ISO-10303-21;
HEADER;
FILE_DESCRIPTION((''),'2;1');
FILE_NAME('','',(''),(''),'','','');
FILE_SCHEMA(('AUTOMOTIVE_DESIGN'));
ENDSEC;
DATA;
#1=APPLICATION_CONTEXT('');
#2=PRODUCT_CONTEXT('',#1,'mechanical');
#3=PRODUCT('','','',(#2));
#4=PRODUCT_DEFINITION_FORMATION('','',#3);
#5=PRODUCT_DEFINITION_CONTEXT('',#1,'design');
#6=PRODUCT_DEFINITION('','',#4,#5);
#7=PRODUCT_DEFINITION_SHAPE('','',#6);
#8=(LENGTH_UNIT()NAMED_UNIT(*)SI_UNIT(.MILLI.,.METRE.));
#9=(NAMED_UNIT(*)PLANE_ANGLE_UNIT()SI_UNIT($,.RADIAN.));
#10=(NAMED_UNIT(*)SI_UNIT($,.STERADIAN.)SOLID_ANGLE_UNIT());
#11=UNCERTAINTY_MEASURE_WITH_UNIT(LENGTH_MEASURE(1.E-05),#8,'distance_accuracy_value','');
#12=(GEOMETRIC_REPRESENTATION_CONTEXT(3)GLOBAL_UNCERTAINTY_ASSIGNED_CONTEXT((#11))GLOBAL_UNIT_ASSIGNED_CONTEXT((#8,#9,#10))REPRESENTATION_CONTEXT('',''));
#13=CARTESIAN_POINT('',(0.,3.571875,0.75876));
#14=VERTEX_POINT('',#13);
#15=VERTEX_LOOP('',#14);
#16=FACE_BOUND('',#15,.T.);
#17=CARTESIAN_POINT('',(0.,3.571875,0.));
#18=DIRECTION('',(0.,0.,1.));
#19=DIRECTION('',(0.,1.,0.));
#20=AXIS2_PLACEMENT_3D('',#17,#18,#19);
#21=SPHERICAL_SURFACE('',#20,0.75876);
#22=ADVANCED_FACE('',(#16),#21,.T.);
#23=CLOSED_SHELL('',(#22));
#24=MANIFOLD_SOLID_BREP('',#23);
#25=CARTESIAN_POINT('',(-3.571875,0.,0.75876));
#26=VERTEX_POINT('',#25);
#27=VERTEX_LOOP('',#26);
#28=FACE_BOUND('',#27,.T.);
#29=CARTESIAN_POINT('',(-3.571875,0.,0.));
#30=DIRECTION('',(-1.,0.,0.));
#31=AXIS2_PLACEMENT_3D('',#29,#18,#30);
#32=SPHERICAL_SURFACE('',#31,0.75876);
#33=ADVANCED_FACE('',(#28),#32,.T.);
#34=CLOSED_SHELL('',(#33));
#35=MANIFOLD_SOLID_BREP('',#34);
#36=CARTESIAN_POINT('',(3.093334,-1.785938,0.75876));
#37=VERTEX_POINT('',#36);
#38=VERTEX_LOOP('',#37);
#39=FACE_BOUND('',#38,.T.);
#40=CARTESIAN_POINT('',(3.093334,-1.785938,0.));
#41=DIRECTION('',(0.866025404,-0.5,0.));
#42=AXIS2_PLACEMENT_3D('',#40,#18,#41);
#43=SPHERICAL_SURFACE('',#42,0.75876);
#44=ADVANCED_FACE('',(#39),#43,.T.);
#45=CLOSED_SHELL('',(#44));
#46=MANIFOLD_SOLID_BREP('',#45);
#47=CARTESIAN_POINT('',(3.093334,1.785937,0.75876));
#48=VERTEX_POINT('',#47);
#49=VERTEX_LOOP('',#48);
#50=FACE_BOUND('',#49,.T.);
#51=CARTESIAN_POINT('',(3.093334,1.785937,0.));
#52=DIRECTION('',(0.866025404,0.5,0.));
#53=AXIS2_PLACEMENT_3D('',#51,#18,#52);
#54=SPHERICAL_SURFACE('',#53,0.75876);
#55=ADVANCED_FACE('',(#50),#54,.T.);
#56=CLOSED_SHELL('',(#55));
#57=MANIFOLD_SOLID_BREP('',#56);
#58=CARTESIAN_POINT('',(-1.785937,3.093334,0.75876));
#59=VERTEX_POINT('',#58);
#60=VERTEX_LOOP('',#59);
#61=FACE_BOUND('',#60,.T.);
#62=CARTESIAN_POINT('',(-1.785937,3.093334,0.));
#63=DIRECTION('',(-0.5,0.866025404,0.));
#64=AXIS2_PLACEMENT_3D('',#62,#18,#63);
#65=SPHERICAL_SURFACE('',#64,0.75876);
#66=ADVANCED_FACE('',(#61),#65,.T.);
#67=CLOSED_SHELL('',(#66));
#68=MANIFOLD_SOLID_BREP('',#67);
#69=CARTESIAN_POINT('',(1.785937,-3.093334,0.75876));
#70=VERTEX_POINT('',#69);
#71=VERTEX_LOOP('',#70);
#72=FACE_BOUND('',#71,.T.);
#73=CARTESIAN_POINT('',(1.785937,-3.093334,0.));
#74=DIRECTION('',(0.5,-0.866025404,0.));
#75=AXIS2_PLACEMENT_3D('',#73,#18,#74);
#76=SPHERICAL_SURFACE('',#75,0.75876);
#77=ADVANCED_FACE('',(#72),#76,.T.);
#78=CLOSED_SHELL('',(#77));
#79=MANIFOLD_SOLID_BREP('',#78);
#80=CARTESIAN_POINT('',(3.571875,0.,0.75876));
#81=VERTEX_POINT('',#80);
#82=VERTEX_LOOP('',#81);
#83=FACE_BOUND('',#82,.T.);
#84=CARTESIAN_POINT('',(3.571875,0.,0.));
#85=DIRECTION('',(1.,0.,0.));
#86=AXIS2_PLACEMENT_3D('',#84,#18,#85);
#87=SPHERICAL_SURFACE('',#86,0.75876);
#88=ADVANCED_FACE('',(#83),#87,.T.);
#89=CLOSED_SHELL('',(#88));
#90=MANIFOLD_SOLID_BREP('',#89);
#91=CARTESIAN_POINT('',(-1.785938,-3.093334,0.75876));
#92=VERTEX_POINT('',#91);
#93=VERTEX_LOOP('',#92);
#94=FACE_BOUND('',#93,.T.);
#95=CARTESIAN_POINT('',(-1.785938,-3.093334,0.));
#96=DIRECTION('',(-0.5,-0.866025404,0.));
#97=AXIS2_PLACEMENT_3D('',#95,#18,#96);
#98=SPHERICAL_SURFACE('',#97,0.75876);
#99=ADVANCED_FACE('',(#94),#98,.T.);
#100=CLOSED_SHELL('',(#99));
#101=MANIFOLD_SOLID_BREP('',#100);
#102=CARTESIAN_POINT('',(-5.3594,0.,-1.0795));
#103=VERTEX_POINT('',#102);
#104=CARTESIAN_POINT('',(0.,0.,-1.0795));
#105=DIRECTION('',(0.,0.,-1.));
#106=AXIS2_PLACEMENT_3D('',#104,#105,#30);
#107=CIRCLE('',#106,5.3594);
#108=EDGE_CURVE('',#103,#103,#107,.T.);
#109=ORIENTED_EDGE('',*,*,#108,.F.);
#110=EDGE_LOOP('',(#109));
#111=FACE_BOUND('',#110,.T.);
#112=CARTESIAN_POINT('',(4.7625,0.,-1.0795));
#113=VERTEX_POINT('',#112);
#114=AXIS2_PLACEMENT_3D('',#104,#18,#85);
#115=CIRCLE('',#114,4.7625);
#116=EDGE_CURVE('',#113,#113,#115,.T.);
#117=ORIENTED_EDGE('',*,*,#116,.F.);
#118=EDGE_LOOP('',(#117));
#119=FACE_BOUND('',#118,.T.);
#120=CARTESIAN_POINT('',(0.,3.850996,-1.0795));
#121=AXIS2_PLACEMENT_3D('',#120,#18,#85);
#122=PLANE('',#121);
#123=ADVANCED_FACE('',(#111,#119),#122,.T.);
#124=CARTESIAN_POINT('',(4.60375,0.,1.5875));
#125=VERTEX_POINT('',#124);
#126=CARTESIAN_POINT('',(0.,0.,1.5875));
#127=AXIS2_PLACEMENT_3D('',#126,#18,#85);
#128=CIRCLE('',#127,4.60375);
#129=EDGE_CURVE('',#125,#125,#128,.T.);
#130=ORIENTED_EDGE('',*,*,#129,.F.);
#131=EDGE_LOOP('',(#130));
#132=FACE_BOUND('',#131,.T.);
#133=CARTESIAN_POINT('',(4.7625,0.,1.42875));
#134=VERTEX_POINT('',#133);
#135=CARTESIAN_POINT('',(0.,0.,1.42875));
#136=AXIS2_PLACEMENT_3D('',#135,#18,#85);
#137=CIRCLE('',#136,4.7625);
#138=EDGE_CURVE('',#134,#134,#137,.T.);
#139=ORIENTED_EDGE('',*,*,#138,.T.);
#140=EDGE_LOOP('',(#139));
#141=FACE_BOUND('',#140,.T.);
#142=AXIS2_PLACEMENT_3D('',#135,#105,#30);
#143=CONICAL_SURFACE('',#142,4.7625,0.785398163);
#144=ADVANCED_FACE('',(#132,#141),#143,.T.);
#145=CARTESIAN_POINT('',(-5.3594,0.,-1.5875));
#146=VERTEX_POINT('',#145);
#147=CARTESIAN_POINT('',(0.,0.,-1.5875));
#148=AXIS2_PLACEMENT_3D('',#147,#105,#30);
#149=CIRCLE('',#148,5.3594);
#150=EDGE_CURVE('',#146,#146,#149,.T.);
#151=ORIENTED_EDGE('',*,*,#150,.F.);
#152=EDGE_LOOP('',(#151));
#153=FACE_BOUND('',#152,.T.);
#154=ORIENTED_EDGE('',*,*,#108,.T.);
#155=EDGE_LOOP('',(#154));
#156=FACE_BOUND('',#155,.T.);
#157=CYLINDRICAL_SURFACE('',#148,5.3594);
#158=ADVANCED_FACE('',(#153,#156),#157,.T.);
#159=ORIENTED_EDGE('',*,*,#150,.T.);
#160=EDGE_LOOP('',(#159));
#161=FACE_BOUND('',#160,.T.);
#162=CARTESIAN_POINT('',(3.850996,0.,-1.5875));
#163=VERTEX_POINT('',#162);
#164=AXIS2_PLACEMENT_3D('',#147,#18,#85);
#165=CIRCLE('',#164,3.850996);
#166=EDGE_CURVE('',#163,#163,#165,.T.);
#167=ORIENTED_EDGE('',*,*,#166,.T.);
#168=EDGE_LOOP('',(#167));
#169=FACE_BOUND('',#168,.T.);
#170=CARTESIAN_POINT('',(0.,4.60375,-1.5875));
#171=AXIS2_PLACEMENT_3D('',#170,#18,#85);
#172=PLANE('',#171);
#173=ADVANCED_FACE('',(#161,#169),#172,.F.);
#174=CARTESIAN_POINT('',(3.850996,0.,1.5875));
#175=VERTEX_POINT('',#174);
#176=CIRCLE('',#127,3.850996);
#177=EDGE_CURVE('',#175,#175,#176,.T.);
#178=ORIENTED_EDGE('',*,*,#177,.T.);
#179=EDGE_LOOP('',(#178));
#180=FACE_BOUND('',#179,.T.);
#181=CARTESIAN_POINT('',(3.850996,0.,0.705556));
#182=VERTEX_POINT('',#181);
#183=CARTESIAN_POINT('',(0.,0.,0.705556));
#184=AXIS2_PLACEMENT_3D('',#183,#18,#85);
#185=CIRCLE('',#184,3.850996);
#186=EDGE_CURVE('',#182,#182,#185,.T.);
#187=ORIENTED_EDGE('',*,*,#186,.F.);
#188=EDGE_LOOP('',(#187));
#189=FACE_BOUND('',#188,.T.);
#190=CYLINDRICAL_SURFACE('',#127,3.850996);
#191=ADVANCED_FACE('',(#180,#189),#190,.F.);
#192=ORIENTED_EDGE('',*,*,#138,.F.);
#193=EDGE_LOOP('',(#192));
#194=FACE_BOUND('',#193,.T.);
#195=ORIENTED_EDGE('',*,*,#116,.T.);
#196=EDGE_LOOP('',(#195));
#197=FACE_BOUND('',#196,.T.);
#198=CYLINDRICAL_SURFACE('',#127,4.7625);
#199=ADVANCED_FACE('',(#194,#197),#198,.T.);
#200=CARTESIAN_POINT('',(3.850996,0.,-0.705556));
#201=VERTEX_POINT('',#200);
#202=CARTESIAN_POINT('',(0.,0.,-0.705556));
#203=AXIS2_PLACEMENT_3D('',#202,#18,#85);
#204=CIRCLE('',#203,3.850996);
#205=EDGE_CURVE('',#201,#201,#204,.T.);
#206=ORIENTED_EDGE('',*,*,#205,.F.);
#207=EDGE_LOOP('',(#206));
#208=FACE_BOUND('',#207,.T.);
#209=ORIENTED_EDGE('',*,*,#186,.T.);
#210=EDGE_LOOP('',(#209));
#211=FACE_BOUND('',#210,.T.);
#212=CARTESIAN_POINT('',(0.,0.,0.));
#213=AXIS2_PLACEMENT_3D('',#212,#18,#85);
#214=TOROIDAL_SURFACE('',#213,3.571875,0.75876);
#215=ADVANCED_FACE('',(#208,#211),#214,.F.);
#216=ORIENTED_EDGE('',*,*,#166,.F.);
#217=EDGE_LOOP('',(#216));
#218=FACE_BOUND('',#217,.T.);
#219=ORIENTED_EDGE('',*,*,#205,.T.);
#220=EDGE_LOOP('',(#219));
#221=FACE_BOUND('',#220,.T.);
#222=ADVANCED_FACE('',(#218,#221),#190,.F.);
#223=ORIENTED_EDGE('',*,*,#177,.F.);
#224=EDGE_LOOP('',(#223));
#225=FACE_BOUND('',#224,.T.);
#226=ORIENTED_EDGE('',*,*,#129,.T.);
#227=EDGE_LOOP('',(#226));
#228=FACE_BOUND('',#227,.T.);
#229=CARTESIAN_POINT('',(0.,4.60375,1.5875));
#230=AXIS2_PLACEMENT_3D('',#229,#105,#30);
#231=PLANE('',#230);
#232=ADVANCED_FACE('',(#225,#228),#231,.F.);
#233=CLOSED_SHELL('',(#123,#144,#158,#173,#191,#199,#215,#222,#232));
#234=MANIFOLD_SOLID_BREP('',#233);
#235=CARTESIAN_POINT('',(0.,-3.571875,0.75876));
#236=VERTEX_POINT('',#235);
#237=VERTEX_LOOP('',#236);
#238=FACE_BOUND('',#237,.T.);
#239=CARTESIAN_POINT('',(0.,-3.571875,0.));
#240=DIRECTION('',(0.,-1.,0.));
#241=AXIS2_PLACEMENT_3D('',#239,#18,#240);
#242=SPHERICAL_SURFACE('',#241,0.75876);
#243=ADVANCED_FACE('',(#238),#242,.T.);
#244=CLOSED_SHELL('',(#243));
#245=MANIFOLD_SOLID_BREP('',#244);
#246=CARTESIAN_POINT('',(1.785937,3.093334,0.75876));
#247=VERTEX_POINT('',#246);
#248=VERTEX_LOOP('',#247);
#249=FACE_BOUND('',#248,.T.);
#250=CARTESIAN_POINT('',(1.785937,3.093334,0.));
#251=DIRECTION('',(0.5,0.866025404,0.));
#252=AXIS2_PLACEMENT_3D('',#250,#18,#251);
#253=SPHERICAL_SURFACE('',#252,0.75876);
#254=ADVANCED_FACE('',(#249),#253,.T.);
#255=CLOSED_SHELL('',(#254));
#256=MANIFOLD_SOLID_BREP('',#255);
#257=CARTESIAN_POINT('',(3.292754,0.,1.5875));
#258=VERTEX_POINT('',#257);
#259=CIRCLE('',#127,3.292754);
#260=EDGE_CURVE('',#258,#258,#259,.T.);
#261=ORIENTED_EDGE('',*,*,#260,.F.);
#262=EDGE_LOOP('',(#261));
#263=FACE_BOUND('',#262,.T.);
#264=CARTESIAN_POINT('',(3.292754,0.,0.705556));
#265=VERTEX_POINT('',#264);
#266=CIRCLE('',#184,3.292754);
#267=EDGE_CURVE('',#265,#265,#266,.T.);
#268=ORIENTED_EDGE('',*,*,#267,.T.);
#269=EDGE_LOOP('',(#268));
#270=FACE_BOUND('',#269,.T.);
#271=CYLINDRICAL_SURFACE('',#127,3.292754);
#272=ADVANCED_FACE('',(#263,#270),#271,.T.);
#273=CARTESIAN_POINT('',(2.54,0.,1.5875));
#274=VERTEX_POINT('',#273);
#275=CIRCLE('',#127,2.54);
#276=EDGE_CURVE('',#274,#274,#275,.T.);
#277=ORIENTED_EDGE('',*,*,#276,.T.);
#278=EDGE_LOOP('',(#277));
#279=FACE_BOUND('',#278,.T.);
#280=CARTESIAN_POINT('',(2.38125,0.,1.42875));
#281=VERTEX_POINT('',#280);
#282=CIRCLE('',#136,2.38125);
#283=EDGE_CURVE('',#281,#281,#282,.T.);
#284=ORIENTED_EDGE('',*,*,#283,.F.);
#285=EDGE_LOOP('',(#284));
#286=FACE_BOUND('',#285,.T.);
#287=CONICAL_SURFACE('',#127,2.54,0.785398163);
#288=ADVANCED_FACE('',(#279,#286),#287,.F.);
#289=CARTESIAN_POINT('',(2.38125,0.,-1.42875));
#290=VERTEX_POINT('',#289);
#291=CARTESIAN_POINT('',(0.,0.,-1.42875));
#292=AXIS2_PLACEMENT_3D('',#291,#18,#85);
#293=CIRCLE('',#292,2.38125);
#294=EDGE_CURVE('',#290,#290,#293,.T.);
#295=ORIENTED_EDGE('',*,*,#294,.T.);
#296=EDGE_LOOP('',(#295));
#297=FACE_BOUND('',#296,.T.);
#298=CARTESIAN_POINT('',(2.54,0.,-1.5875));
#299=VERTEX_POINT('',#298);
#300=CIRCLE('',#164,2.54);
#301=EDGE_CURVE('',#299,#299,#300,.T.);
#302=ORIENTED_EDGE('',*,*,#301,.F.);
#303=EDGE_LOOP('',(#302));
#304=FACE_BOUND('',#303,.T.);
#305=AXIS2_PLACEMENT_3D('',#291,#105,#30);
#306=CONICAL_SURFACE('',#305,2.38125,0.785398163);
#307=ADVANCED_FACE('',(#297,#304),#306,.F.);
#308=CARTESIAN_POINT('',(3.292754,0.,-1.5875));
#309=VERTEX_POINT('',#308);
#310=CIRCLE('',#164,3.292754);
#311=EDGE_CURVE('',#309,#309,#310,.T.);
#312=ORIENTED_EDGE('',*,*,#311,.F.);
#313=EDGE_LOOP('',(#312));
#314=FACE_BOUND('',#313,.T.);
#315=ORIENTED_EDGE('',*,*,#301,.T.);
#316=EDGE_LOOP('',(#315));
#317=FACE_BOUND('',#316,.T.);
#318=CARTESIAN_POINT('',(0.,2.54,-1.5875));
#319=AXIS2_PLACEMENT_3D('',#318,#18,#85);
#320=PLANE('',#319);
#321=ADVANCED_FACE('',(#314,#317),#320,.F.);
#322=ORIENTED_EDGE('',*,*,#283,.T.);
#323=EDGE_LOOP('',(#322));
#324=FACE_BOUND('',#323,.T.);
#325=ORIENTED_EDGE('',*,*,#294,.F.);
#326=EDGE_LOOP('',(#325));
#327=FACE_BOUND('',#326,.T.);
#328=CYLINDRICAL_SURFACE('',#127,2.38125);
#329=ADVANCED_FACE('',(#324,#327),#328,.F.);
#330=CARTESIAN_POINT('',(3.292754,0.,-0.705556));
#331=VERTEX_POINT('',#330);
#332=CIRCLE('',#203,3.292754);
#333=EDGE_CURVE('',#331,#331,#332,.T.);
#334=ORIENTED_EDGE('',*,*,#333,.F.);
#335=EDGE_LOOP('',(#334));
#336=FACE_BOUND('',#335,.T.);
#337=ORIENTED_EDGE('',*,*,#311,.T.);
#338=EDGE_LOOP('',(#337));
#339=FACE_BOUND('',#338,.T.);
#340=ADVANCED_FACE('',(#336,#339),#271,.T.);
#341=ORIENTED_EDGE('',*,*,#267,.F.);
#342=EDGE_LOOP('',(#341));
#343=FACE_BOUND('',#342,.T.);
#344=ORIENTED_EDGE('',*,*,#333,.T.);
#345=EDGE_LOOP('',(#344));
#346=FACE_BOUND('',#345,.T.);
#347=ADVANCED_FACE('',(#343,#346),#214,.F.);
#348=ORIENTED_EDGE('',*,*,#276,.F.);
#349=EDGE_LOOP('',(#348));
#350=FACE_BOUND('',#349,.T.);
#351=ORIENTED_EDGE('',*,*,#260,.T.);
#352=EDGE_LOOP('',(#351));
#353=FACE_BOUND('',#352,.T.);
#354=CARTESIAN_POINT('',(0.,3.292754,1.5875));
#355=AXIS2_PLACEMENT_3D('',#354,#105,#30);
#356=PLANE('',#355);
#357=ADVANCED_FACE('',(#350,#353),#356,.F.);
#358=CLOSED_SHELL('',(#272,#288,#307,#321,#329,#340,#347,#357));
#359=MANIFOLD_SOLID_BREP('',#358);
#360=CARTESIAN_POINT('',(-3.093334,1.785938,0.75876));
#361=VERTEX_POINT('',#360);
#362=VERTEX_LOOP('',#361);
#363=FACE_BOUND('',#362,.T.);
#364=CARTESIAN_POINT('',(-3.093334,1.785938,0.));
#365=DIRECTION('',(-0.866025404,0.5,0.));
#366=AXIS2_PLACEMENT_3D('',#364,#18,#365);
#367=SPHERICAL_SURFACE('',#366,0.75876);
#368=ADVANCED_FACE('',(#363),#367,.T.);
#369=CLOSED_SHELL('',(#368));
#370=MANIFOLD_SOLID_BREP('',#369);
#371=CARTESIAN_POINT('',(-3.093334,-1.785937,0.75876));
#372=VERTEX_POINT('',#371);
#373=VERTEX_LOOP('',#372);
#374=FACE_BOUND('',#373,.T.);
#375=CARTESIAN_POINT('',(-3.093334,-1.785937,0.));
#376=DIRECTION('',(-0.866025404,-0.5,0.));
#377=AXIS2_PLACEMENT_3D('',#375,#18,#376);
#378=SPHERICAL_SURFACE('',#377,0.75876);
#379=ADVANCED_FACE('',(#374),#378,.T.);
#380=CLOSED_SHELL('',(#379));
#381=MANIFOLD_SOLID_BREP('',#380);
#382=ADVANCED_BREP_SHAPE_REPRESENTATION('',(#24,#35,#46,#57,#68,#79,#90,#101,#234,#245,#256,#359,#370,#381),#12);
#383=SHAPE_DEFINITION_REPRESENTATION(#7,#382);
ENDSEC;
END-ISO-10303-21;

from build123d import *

# Parameters (mm, degrees)
CIRPATTERN1_COUNT = 12
SKETCH6_W         = 0.508
SKETCH6_H         = 1.508404121


with BuildPart() as part:
    # Sketch1 → Revolve1 (revolve)
    with BuildSketch(Plane(origin=(0, 0, 0), x_dir=(0, 0, -1), z_dir=(1, 0, 0))):
        with BuildLine():
            Line((1.42875, 4.7625), (-1.42875, 4.7625))
            Line((-1.42875, 4.7625), (-1.5875, 4.60375))
            Line((-1.5875, 4.60375), (-1.5875, 3.850995879))
            Line((-1.5875, 3.850995879), (-0.705555556, 3.850995879))
            ThreePointArc((-0.705555556, 3.850995879), (0, 4.330635244), (0.705555556, 3.850995879))
            Line((0.705555556, 3.850995879), (1.5875, 3.850995879))
            Line((1.5875, 3.850995879), (1.5875, 4.60375))
            Line((1.5875, 4.60375), (1.42875, 4.7625))
        make_face()
    revolve(axis=Axis((0, 0, 1.5875), (0, 0, -1)))

    # Sketch6 → Revolve6 (revolve)
    with BuildSketch(Plane(origin=(0, 0, 0), x_dir=(0, 0, -1), z_dir=(1, 0, 0))):
        with Locations((1.3335, 4.60519794)):
            Rectangle(SKETCH6_W, SKETCH6_H)
    revolve(axis=Axis((0, 0, -1.5875), (0, 0, 1)))


with BuildPart() as body_2:
    # Sketch3 → Revolve3 (revolve)
    with BuildSketch(Plane(origin=(0, 0, 0), x_dir=(0, 0, -1), z_dir=(1, 0, 0))):
        with BuildLine():
            Line((-1.5875, 3.292754121), (-0.705555556, 3.292754121))
            ThreePointArc((-0.705555556, 3.292754121), (0, 2.813114756), (0.705555556, 3.292754121))
            Line((0.705555556, 3.292754121), (1.5875, 3.292754121))
            Line((1.5875, 3.292754121), (1.5875, 2.54))
            Line((1.5875, 2.54), (1.42875, 2.38125))
            Line((1.42875, 2.38125), (-1.42875, 2.38125))
            Line((-1.42875, 2.38125), (-1.5875, 2.54))
            Line((-1.5875, 2.54), (-1.5875, 3.292754121))
        make_face()
    revolve(axis=Axis((0, 0, 1.5875), (0, 0, -1)))


with BuildPart() as body_3:
    # Sketch4 → Revolve4 (revolve)
    with BuildSketch(Plane(origin=(0, 0, 0), x_dir=(0, 0, -1), z_dir=(1, 0, 0))):
        with BuildLine():
            Line((-0.758760244, 3.571875), (0.758760244, 3.571875))
            ThreePointArc((0.758760244, 3.571875), (0, 4.330635244), (-0.758760244, 3.571875))
        make_face()
    revolve(axis=Axis((0, 3.571875, 0.758760244), (0, 0, -1)))


with BuildPart() as cirpattern1_1:
    # CirPattern1: pattern copy
    add(body_3.part.rotate(Axis((0, 0, -1.5875), (0, 0, 1)), 1 * 360 / CIRPATTERN1_COUNT))


with BuildPart() as cirpattern1_2:
    # CirPattern1: pattern copy
    add(body_3.part.rotate(Axis((0, 0, -1.5875), (0, 0, 1)), 2 * 360 / CIRPATTERN1_COUNT))


with BuildPart() as cirpattern1_3:
    # CirPattern1: pattern copy
    add(body_3.part.rotate(Axis((0, 0, -1.5875), (0, 0, 1)), 3 * 360 / CIRPATTERN1_COUNT))


with BuildPart() as cirpattern1_4:
    # CirPattern1: pattern copy
    add(body_3.part.rotate(Axis((0, 0, -1.5875), (0, 0, 1)), 4 * 360 / CIRPATTERN1_COUNT))


with BuildPart() as cirpattern1_5:
    # CirPattern1: pattern copy
    add(body_3.part.rotate(Axis((0, 0, -1.5875), (0, 0, 1)), 5 * 360 / CIRPATTERN1_COUNT))


with BuildPart() as cirpattern1_6:
    # CirPattern1: pattern copy
    add(body_3.part.rotate(Axis((0, 0, -1.5875), (0, 0, 1)), 6 * 360 / CIRPATTERN1_COUNT))


with BuildPart() as cirpattern1_7:
    # CirPattern1: pattern copy
    add(body_3.part.rotate(Axis((0, 0, -1.5875), (0, 0, 1)), 7 * 360 / CIRPATTERN1_COUNT))


with BuildPart() as cirpattern1_8:
    # CirPattern1: pattern copy
    add(body_3.part.rotate(Axis((0, 0, -1.5875), (0, 0, 1)), 8 * 360 / CIRPATTERN1_COUNT))


with BuildPart() as cirpattern1_9:
    # CirPattern1: pattern copy
    add(body_3.part.rotate(Axis((0, 0, -1.5875), (0, 0, 1)), 9 * 360 / CIRPATTERN1_COUNT))


with BuildPart() as cirpattern1_10:
    # CirPattern1: pattern copy
    add(body_3.part.rotate(Axis((0, 0, -1.5875), (0, 0, 1)), 10 * 360 / CIRPATTERN1_COUNT))


with BuildPart() as cirpattern1_11:
    # CirPattern1: pattern copy
    add(body_3.part.rotate(Axis((0, 0, -1.5875), (0, 0, 1)), 11 * 360 / CIRPATTERN1_COUNT))


solid = Compound([part.part, body_2.part, body_3.part, cirpattern1_1.part, cirpattern1_2.part, cirpattern1_3.part, cirpattern1_4.part, cirpattern1_5.part, cirpattern1_6.part, cirpattern1_7.part, cirpattern1_8.part, cirpattern1_9.part, cirpattern1_10.part, cirpattern1_11.part])
